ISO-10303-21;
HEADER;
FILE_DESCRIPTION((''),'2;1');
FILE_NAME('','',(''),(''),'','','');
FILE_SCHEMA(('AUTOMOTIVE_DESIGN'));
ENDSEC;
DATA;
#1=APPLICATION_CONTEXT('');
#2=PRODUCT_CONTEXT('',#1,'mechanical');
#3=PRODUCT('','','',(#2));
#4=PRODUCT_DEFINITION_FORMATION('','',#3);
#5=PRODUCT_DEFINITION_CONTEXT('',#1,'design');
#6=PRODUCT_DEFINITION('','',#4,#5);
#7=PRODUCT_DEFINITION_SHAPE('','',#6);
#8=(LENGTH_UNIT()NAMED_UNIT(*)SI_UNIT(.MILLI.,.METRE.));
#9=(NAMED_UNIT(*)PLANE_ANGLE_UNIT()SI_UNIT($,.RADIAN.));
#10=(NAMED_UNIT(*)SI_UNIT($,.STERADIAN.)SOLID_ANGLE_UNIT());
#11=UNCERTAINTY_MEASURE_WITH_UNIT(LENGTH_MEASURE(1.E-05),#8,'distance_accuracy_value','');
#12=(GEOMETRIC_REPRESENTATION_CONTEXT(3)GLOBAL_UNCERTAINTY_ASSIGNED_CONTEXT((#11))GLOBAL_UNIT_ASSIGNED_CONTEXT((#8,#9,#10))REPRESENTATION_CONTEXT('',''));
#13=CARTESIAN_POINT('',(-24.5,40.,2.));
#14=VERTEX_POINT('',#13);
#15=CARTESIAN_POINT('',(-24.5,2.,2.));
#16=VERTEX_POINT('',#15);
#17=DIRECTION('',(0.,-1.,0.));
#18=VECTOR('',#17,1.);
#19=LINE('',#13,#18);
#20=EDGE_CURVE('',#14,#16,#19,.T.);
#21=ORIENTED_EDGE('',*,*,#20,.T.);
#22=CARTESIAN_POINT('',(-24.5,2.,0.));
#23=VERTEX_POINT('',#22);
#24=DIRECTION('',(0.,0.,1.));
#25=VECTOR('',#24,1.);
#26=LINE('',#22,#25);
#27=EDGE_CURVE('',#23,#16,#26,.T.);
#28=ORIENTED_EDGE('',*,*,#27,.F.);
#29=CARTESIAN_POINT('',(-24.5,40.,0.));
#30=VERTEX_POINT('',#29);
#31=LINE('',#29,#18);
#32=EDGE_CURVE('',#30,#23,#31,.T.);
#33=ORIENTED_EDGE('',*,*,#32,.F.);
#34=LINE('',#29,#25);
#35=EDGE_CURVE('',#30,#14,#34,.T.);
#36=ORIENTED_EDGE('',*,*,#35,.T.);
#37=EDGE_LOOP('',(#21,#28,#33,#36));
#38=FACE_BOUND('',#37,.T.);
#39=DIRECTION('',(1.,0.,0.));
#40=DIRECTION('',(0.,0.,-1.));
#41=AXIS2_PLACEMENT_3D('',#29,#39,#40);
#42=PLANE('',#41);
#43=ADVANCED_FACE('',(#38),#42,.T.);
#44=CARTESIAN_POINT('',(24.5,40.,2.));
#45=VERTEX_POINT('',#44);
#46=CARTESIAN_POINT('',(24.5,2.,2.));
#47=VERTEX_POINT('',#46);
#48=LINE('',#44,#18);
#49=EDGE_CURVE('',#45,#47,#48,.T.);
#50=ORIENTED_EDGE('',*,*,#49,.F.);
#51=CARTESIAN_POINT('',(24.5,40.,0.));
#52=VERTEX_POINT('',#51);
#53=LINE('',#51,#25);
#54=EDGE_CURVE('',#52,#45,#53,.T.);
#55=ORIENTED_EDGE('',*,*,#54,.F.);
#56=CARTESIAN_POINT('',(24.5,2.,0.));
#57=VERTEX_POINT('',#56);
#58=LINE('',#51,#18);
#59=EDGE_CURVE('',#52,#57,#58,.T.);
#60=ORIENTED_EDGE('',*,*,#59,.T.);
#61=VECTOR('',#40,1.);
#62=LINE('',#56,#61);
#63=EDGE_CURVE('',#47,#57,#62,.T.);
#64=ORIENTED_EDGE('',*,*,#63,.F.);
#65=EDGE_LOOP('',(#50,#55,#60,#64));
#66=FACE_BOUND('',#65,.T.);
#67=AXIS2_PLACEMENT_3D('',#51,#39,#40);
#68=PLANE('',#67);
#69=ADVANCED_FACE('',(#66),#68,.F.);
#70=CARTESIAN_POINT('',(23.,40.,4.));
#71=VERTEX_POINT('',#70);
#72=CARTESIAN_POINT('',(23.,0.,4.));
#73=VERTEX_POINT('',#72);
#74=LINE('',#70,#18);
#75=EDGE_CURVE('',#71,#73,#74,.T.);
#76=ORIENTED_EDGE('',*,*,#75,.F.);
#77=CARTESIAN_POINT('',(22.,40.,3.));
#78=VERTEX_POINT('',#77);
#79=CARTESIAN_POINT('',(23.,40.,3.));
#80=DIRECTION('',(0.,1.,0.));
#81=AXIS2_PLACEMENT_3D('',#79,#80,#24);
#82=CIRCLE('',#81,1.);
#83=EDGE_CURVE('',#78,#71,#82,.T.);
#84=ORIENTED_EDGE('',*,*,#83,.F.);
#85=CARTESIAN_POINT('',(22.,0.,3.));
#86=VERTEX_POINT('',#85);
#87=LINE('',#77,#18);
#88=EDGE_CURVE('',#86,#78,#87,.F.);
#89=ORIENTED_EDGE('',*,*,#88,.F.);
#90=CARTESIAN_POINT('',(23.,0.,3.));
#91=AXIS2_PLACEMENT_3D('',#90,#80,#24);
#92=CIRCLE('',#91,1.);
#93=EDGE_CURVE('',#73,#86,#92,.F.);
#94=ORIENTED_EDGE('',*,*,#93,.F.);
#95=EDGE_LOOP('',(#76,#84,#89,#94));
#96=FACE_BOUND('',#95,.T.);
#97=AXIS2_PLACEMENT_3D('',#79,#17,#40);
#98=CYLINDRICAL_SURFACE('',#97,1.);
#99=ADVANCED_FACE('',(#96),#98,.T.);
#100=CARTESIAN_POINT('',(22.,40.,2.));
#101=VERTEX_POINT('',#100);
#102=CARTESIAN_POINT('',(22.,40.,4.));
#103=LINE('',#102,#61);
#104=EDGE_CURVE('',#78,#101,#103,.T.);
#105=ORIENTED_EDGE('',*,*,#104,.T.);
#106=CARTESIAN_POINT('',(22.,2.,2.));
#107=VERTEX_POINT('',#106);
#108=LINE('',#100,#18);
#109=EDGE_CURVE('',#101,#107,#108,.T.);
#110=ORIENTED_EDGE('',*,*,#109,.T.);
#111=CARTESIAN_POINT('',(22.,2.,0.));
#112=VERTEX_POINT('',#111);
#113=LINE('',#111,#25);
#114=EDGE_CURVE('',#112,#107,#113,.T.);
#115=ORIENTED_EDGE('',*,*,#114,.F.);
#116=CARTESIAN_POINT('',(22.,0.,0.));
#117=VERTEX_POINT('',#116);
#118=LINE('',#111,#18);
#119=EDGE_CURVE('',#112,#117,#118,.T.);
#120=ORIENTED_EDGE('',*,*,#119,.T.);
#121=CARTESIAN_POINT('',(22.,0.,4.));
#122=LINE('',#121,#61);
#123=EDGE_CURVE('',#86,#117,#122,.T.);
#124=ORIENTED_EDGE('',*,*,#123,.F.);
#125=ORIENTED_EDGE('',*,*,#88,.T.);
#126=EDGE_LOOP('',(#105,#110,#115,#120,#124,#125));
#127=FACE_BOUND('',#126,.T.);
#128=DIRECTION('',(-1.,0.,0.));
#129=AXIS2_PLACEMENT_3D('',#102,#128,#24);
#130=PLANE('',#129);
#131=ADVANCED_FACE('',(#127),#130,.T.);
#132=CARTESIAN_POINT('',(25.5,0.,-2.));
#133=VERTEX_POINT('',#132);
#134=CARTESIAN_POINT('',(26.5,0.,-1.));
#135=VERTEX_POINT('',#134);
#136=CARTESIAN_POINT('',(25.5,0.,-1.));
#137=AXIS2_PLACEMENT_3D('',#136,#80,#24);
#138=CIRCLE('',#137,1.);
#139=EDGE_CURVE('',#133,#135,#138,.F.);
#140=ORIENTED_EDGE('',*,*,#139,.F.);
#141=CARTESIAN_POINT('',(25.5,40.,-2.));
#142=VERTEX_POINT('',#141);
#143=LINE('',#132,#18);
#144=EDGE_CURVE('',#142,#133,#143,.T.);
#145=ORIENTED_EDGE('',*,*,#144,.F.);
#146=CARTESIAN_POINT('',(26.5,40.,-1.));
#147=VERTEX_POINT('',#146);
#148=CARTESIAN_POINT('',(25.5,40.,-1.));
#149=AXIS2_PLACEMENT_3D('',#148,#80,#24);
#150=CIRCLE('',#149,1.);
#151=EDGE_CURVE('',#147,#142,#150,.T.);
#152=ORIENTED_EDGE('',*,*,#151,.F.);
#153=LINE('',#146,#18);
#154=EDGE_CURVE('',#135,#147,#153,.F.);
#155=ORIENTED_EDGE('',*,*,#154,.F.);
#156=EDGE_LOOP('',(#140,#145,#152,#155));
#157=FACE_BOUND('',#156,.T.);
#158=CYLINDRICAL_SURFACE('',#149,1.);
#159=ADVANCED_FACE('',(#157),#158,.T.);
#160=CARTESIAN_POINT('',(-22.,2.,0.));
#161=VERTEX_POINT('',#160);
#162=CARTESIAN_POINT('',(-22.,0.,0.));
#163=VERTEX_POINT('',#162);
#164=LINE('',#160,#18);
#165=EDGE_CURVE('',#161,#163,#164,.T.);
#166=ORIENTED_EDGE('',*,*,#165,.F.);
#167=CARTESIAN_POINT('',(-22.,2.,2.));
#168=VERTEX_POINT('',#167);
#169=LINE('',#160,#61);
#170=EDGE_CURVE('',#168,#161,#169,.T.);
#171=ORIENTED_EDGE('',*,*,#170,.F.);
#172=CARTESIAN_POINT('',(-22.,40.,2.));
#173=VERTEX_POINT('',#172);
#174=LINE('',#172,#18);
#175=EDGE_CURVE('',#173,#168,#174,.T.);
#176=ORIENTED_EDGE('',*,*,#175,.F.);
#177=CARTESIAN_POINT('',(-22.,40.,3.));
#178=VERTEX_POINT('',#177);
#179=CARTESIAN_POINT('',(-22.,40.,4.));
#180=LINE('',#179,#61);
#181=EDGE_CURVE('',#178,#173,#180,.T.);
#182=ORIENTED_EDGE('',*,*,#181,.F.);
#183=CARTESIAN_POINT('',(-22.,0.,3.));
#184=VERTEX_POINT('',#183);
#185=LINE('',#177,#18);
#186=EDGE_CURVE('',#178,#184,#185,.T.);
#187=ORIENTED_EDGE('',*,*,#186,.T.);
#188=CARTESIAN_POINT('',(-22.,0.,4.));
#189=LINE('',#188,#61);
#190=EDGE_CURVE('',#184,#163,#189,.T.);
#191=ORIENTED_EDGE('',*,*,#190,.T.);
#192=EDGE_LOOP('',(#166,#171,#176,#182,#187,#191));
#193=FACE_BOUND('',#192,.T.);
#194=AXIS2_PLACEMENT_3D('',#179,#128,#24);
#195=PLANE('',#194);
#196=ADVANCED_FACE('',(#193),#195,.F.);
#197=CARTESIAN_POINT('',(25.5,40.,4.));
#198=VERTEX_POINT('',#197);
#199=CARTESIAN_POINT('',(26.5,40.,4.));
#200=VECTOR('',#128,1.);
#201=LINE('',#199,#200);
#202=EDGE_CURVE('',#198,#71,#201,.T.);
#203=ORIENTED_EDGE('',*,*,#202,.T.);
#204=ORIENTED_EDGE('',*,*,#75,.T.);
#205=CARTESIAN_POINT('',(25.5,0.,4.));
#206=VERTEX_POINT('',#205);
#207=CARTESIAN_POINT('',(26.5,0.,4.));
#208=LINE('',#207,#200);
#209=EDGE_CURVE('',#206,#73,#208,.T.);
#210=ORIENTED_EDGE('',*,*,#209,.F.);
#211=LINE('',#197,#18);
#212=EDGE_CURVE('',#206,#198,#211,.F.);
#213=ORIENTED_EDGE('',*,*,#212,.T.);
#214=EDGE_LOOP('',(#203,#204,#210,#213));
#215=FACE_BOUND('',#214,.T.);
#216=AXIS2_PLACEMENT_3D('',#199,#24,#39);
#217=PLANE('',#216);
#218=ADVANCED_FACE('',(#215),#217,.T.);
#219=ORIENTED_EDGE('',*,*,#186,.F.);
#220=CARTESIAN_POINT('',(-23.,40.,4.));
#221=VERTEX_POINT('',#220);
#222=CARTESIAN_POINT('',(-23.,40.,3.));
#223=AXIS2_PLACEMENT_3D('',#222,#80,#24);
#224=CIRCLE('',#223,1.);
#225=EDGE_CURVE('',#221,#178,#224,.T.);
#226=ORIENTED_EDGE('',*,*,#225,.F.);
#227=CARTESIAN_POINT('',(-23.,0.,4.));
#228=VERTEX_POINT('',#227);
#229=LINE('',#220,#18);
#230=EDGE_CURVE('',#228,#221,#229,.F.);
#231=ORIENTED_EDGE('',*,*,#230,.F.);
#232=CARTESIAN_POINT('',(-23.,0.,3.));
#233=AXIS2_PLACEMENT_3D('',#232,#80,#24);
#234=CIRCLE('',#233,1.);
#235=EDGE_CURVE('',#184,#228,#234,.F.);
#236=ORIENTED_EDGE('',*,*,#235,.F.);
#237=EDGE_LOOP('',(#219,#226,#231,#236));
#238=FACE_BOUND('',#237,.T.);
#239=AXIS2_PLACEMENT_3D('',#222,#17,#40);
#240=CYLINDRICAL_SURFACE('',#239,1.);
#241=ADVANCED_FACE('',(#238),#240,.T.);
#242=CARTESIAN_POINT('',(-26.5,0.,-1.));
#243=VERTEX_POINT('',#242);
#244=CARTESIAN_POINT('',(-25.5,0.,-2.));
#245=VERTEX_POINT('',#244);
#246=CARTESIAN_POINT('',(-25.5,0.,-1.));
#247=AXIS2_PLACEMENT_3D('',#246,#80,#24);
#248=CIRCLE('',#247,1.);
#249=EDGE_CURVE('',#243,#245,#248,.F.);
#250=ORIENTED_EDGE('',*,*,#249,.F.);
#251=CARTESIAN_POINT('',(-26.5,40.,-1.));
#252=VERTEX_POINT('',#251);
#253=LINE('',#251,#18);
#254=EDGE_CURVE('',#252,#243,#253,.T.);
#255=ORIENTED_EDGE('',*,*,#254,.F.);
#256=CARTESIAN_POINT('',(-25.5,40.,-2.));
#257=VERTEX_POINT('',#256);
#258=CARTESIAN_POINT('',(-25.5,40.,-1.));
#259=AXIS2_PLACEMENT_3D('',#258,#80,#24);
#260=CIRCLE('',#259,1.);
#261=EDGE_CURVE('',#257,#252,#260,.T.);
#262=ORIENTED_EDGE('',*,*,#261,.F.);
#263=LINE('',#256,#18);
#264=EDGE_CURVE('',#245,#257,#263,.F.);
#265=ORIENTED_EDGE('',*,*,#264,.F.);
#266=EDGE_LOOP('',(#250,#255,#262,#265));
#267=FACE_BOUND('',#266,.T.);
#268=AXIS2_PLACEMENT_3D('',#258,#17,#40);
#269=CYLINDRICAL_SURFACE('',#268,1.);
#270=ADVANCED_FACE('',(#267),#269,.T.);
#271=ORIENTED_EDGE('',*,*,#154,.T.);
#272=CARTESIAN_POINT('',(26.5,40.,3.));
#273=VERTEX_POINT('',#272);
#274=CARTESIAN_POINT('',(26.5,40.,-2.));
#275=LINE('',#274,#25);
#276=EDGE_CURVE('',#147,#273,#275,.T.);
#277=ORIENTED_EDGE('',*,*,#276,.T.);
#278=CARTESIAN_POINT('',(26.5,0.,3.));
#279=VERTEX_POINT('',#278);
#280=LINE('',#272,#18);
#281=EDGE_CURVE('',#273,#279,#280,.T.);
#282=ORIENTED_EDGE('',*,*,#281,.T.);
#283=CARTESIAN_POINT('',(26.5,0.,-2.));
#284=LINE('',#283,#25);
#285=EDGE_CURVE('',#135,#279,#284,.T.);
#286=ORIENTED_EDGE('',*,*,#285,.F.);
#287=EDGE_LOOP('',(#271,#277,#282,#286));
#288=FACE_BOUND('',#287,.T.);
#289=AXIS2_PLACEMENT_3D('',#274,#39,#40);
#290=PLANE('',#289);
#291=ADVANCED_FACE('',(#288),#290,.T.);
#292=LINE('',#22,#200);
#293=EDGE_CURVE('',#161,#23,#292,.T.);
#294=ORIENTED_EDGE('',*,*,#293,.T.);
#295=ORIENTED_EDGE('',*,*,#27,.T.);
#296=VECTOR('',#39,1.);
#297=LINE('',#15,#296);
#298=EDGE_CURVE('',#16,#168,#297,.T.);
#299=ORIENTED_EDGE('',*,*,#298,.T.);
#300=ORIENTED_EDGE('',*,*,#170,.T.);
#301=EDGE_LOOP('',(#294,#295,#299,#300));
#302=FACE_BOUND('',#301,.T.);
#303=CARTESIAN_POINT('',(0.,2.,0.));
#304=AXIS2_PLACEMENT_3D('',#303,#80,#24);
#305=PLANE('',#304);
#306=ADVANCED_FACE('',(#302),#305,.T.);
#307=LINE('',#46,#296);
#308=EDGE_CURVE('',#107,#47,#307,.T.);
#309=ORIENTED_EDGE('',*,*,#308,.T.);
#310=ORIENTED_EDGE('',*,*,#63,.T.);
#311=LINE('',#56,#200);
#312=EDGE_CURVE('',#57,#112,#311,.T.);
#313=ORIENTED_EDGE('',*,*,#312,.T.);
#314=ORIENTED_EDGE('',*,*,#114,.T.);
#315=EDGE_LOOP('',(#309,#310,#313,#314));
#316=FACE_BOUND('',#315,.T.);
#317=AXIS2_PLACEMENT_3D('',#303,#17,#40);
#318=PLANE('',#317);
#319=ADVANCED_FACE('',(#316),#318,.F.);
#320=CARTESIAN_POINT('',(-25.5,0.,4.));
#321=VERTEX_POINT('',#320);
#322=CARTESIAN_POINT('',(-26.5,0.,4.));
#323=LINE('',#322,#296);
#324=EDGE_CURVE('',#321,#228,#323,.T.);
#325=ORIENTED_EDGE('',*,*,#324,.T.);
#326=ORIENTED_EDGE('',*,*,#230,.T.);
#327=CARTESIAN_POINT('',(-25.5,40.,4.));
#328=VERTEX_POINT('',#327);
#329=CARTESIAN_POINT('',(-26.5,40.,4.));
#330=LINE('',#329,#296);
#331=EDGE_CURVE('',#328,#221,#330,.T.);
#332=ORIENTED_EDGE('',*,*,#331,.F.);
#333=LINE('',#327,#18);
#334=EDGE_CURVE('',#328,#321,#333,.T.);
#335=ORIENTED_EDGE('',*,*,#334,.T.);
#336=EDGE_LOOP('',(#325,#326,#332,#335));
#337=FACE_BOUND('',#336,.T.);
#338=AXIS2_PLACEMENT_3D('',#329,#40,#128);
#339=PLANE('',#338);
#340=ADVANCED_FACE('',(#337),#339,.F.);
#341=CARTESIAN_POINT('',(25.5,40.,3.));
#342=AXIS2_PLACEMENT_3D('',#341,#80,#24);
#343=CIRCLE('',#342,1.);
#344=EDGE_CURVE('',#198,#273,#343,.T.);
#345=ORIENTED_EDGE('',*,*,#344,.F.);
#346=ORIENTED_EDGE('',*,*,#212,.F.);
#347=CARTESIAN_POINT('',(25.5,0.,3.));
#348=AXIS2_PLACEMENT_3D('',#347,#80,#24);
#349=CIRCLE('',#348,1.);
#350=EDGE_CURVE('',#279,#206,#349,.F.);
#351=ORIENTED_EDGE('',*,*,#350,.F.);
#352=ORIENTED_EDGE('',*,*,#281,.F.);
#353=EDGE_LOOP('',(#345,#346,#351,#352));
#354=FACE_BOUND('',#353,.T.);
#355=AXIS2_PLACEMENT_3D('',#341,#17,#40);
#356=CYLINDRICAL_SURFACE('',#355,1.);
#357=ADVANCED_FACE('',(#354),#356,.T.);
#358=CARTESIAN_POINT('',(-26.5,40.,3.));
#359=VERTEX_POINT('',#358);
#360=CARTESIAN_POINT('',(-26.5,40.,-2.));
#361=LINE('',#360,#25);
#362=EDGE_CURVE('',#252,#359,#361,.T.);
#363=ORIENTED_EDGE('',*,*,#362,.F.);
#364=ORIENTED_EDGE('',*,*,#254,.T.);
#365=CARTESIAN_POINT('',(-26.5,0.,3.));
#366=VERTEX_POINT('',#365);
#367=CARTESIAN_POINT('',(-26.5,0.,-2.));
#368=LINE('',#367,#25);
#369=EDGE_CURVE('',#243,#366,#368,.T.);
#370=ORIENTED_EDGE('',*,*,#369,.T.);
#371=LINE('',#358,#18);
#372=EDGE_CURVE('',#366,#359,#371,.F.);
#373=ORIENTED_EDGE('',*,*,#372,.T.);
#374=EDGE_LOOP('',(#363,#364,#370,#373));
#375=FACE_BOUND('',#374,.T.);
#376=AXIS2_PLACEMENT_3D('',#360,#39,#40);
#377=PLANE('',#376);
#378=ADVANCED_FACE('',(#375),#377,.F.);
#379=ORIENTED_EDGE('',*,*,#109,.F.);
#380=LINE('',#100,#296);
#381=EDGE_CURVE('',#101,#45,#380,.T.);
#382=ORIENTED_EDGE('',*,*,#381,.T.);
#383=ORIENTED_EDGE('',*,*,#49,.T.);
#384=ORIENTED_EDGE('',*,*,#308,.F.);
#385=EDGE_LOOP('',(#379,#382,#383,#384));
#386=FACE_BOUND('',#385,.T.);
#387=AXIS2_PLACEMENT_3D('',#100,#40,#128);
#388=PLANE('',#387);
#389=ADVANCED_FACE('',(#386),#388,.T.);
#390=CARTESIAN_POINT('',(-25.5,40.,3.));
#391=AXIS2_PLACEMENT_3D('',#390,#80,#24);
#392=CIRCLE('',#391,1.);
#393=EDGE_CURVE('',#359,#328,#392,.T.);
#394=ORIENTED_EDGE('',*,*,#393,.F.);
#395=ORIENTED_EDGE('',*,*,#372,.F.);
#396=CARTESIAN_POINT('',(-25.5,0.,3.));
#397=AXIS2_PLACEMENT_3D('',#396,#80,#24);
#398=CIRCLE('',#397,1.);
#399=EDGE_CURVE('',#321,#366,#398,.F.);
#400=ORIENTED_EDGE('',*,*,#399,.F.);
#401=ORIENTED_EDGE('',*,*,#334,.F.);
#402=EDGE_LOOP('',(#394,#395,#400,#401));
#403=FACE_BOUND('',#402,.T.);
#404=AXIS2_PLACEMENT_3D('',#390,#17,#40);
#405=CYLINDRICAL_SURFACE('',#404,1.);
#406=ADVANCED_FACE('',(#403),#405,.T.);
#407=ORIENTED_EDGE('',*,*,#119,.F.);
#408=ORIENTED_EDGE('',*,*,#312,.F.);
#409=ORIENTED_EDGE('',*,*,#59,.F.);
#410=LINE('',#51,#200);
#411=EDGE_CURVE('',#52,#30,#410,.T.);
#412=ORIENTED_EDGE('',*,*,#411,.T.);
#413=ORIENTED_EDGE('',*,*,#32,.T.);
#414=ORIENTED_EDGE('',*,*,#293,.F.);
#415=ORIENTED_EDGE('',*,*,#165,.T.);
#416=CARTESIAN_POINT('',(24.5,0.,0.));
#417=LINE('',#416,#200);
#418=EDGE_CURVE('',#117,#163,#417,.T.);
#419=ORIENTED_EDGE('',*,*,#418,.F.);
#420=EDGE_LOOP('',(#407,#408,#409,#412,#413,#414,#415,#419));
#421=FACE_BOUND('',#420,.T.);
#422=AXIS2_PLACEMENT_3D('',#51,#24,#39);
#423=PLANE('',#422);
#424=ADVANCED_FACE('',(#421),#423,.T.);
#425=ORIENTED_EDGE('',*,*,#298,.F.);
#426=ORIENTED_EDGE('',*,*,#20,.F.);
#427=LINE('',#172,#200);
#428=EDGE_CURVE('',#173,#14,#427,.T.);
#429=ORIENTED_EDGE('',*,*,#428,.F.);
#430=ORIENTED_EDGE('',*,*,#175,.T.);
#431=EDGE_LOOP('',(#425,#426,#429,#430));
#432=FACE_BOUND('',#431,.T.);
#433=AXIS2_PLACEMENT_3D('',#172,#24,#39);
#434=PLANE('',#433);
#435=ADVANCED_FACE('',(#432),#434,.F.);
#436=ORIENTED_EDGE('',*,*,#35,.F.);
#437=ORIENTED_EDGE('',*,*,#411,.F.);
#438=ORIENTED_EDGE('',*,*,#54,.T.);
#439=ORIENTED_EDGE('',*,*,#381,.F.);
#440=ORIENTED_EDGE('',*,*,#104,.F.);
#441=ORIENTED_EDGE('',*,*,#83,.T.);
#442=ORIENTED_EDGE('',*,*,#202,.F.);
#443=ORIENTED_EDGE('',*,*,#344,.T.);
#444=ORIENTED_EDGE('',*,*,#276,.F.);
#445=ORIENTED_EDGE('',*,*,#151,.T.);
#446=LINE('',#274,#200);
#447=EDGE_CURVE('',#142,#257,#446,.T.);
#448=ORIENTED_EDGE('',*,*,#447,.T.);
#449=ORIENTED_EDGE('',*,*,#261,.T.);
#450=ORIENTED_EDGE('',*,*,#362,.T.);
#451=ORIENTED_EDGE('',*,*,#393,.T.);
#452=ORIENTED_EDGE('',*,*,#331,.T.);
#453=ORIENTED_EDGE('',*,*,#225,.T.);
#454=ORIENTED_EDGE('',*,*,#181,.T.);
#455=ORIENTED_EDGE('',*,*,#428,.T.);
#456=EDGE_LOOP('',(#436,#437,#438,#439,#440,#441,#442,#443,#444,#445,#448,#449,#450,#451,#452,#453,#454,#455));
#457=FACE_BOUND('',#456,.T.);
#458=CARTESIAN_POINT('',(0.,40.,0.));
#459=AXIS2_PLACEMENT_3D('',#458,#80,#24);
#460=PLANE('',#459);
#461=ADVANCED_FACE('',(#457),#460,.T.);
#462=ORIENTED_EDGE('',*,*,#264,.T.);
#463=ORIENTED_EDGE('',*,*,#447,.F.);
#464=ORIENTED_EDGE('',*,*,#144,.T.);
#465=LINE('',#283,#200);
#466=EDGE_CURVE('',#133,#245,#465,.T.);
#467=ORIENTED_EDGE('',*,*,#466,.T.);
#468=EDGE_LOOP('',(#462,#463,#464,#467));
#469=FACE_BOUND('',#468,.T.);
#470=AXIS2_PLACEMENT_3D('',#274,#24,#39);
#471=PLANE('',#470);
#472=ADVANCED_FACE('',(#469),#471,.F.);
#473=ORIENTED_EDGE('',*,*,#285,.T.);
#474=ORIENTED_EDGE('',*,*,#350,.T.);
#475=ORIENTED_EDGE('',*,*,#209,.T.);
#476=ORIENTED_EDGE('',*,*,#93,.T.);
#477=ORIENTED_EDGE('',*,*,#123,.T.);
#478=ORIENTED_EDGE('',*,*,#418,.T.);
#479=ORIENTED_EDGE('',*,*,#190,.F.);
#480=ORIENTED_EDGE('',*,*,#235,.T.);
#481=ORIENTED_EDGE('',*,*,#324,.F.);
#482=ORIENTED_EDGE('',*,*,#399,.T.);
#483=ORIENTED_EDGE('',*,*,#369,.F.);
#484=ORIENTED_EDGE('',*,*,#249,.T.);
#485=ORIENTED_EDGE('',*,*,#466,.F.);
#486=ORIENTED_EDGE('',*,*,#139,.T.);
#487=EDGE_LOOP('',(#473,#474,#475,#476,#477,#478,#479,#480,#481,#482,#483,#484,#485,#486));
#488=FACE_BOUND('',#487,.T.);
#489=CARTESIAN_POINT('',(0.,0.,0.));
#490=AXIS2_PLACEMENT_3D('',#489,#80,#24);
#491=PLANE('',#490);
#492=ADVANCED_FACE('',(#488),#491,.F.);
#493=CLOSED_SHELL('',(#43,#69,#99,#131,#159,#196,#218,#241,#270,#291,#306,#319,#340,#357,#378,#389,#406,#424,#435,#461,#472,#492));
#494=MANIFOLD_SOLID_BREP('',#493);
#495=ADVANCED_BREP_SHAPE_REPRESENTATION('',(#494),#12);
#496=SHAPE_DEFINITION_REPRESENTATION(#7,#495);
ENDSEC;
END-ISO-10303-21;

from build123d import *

# Parameters (mm, degrees)
BOSS_EXTRUDE1_DEPTH = 40
SKETCH2_W           = 2.5
SKETCH2_H           = 2
BOSS_EXTRUDE2_DEPTH = 2
FILLET1_R           = 1


with BuildPart() as part:
    # Sketch1 → Boss-Extrude1 (new body)
    with BuildSketch(Plane(origin=(0, 0, 0), x_dir=(1, 0, 0), z_dir=(0, 1, 0))):
        Polygon((26.5, 2), (-26.5, 2), (-26.5, -4), (-22, -4), (-22, -2), (-24.5, -2), (-24.5, 0), (24.5, 0), (24.5, -2), (22, -2), (22, -4), (26.5, -4), align=None)
    extrude(amount=BOSS_EXTRUDE1_DEPTH)

    # Sketch2 → Boss-Extrude2 (add)
    with BuildSketch(Plane(origin=(0, 0, 0), x_dir=(1, 0, 0), z_dir=(0, 1, 0))):
        with Locations((-23.25, -1)):
            Rectangle(SKETCH2_W, SKETCH2_H)
        with Locations((23.25, -1)):
            Rectangle(SKETCH2_W, SKETCH2_H)
    extrude(amount=BOSS_EXTRUDE2_DEPTH)

    # Fillet1
    fillet1_edges = [part.edges().sort_by_distance(p)[0] for p in [
        (22, 20, 4),
        (26.5, 20, 4),
        (26.5, 20, -2),
        (-26.5, 20, -2),
        (-26.5, 20, 4),
        (-22, 20, 4),
    ]]
    fillet(fillet1_edges, radius=FILLET1_R)


solid = part.part
